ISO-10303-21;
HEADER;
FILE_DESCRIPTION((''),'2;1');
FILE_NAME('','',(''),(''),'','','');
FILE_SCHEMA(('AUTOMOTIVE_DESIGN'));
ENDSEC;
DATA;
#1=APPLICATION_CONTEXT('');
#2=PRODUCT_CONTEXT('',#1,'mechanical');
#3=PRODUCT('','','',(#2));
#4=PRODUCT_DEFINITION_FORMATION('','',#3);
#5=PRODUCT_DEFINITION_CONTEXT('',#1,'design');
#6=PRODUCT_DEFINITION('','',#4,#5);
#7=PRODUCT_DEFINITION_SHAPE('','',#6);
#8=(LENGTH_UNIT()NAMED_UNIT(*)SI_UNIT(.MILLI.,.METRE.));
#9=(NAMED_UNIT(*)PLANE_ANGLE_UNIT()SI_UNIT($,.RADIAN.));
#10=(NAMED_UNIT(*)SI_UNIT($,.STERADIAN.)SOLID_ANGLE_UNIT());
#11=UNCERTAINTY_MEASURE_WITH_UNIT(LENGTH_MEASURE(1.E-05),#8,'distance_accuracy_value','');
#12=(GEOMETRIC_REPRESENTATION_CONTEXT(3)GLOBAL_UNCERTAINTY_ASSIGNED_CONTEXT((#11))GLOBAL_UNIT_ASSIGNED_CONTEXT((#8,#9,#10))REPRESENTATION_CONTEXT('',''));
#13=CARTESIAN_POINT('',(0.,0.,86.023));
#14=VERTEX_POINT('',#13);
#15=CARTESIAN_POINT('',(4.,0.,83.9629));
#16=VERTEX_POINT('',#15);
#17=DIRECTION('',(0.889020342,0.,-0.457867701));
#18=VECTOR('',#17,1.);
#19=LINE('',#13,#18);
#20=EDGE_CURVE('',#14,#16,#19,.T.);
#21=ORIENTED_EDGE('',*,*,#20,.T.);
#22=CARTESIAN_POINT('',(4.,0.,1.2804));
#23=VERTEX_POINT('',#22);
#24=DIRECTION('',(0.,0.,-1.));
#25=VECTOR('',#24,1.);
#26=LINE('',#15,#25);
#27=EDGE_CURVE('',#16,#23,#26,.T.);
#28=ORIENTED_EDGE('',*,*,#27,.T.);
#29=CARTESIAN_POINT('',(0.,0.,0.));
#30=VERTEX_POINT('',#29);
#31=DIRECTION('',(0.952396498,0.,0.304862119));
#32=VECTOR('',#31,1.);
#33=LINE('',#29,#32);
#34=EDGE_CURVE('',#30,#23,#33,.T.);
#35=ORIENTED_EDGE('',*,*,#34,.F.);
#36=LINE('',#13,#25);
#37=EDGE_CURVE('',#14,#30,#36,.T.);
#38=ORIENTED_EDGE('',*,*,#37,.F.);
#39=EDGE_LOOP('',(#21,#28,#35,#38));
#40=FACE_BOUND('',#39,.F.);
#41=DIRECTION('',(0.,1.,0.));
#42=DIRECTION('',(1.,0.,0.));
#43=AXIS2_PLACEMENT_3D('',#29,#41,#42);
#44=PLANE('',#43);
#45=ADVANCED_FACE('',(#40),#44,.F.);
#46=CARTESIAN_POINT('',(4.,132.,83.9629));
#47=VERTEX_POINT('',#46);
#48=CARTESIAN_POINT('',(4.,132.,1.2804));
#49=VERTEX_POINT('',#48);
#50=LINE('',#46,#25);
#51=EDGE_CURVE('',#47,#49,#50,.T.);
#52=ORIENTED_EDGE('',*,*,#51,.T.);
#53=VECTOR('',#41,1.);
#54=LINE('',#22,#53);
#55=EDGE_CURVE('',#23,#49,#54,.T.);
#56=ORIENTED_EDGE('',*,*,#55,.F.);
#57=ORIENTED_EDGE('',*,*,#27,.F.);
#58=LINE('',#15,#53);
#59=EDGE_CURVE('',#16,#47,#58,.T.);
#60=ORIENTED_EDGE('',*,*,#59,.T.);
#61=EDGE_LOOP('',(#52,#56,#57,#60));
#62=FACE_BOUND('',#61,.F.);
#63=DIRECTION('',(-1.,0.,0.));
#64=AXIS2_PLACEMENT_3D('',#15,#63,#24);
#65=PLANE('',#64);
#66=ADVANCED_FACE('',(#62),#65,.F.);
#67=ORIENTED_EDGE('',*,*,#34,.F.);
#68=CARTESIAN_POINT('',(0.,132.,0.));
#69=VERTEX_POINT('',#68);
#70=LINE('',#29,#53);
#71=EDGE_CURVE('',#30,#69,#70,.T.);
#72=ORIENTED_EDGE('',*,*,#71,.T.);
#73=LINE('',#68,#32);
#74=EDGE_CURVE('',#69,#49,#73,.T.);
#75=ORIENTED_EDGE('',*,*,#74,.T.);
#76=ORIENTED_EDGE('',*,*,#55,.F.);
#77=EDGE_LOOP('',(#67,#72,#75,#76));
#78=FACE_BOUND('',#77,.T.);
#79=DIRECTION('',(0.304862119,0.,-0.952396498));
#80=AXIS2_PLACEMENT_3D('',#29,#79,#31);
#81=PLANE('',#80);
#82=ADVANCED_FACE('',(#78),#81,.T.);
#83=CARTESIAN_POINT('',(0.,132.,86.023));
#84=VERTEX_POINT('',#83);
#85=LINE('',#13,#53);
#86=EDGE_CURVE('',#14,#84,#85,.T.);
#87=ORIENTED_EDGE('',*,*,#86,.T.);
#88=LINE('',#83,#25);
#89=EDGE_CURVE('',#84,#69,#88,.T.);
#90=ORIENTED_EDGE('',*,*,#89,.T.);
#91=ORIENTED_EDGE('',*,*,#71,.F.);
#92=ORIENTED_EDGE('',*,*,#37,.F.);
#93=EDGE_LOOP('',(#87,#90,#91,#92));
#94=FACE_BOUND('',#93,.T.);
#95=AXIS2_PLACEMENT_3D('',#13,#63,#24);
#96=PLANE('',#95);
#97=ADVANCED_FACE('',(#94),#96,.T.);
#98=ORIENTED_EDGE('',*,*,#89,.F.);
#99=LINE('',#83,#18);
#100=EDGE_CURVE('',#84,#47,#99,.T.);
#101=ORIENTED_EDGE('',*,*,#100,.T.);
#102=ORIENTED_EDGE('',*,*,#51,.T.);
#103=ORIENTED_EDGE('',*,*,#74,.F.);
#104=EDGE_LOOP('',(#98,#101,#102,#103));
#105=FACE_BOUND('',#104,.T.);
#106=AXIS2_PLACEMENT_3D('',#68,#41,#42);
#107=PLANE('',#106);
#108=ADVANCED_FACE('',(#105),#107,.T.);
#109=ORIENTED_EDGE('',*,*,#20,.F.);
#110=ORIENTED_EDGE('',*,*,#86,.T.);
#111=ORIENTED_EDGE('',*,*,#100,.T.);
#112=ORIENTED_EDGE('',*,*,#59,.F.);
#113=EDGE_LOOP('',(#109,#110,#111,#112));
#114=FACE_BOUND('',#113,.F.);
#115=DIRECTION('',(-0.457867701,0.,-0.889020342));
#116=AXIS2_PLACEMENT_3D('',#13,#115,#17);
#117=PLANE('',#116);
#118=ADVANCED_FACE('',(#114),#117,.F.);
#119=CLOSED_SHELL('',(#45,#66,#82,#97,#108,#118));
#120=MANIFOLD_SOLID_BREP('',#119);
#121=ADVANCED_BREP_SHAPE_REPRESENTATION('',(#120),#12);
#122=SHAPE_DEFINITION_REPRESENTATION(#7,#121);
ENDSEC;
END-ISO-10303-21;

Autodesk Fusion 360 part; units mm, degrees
sketch "Esquisse1" plane through (0, 0, 0) normal (0, 1, 0) x (1, 0, 0)
  line L0 (0, -86.023) -> (0, 0)
  line L1 (4, -83.9629) -> (4, -1.2804)
  line L2 (0, 0) -> (4, -1.2804)
  line L3 (0, 0) -> (6.8882, 0) construction
  line L4 (0, -86.023) -> (4, -83.9629)
  dimension "d2" = 86.023
  dimension "d4" = 17.75
  dimension "d7" = 62.75
extrude "Extrusion1" add sketch "Esquisse1" along normal blind 132
